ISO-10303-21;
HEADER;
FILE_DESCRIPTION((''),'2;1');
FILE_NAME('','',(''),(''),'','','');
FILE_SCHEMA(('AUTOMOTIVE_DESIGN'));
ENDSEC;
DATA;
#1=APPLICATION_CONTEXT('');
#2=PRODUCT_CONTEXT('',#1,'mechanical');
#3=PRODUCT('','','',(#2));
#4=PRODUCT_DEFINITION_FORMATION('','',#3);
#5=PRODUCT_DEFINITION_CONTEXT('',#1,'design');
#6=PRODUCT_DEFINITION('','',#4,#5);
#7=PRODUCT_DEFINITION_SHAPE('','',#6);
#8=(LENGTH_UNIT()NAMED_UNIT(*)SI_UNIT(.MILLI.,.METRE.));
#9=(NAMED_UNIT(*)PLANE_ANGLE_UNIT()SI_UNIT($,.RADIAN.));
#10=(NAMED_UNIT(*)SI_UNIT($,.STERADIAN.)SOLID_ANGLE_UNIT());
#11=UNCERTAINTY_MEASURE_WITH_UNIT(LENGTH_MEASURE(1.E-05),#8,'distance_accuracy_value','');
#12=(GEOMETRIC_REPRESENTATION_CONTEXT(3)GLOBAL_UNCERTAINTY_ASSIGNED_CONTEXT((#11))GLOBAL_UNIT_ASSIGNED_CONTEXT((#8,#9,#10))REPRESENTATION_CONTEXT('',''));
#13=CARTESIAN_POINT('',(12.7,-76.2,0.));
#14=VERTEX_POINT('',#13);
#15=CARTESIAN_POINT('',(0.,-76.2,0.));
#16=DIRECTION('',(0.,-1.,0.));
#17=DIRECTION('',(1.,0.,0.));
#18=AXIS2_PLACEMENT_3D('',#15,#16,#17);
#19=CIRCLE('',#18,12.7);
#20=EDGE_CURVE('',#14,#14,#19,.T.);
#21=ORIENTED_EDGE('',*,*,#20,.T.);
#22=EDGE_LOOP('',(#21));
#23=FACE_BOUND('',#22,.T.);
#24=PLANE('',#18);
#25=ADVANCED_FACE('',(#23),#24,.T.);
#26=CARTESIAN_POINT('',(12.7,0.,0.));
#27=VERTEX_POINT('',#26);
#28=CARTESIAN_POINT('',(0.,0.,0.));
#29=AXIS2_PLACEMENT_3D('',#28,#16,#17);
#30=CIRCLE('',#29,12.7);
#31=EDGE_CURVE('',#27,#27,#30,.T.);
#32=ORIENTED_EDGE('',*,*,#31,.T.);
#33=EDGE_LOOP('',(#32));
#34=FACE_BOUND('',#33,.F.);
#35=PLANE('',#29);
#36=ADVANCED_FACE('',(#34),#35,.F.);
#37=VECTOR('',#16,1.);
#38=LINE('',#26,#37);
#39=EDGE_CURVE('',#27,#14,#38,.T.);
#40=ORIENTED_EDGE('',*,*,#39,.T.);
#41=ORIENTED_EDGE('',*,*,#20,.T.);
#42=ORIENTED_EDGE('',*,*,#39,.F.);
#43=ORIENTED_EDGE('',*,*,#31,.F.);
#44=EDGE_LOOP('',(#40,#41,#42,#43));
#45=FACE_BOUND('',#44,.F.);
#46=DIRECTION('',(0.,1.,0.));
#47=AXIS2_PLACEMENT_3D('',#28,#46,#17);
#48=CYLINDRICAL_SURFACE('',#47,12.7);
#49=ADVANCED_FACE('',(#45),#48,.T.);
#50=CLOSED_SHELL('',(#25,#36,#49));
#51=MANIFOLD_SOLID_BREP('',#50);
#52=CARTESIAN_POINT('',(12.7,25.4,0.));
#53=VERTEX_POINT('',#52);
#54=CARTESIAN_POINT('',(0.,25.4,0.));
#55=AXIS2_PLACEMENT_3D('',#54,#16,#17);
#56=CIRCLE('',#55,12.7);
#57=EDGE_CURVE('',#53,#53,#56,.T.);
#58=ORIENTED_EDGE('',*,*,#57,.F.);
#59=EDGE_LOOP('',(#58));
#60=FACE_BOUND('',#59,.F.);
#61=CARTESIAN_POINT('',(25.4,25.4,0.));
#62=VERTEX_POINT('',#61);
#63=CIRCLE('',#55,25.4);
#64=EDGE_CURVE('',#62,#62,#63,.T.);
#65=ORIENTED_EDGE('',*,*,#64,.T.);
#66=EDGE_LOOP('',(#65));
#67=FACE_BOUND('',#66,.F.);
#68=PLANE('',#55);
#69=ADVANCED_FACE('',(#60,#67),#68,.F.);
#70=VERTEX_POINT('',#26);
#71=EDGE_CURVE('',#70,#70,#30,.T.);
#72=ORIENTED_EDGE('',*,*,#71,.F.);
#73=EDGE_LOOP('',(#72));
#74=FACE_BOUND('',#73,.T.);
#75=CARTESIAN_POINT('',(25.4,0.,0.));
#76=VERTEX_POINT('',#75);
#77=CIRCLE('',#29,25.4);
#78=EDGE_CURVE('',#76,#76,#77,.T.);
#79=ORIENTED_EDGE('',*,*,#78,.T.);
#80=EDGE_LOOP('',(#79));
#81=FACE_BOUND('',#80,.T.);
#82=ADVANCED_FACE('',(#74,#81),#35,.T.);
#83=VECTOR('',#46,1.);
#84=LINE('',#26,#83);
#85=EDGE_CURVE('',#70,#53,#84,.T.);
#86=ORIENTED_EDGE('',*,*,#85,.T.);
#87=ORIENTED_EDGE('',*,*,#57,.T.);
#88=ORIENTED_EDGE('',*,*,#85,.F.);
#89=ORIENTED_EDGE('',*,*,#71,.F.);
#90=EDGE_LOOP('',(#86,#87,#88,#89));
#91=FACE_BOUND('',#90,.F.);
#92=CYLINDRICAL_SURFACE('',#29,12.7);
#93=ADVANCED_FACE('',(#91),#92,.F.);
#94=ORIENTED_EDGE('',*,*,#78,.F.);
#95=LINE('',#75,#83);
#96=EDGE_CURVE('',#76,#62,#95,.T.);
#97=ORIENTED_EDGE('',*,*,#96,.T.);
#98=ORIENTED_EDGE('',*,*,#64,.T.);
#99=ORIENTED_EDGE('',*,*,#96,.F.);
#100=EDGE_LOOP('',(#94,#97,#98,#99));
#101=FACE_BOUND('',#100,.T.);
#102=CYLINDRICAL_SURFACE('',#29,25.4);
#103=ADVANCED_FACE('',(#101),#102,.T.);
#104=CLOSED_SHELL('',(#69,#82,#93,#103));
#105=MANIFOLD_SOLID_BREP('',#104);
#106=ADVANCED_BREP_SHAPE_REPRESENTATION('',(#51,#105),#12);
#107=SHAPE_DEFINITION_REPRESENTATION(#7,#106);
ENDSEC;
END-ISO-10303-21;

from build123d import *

# Parameters (mm, degrees)
F0_R     = 12.7
F1_DEPTH = 76.2
F0_R_2   = 25.4
F2_DEPTH = 25.4


with BuildPart() as f1:
    # F0 (on Front) → F1 (new body)
    with BuildSketch(Plane.XZ):
        Circle(F0_R)
    extrude(amount=F1_DEPTH)

    # F0 (on Front) → F2 (join)
    with BuildSketch(Plane.XZ):
        Circle(F0_R_2)
        Circle(F0_R, mode=Mode.SUBTRACT)
    extrude(amount=-F2_DEPTH)


solid = f1.part
